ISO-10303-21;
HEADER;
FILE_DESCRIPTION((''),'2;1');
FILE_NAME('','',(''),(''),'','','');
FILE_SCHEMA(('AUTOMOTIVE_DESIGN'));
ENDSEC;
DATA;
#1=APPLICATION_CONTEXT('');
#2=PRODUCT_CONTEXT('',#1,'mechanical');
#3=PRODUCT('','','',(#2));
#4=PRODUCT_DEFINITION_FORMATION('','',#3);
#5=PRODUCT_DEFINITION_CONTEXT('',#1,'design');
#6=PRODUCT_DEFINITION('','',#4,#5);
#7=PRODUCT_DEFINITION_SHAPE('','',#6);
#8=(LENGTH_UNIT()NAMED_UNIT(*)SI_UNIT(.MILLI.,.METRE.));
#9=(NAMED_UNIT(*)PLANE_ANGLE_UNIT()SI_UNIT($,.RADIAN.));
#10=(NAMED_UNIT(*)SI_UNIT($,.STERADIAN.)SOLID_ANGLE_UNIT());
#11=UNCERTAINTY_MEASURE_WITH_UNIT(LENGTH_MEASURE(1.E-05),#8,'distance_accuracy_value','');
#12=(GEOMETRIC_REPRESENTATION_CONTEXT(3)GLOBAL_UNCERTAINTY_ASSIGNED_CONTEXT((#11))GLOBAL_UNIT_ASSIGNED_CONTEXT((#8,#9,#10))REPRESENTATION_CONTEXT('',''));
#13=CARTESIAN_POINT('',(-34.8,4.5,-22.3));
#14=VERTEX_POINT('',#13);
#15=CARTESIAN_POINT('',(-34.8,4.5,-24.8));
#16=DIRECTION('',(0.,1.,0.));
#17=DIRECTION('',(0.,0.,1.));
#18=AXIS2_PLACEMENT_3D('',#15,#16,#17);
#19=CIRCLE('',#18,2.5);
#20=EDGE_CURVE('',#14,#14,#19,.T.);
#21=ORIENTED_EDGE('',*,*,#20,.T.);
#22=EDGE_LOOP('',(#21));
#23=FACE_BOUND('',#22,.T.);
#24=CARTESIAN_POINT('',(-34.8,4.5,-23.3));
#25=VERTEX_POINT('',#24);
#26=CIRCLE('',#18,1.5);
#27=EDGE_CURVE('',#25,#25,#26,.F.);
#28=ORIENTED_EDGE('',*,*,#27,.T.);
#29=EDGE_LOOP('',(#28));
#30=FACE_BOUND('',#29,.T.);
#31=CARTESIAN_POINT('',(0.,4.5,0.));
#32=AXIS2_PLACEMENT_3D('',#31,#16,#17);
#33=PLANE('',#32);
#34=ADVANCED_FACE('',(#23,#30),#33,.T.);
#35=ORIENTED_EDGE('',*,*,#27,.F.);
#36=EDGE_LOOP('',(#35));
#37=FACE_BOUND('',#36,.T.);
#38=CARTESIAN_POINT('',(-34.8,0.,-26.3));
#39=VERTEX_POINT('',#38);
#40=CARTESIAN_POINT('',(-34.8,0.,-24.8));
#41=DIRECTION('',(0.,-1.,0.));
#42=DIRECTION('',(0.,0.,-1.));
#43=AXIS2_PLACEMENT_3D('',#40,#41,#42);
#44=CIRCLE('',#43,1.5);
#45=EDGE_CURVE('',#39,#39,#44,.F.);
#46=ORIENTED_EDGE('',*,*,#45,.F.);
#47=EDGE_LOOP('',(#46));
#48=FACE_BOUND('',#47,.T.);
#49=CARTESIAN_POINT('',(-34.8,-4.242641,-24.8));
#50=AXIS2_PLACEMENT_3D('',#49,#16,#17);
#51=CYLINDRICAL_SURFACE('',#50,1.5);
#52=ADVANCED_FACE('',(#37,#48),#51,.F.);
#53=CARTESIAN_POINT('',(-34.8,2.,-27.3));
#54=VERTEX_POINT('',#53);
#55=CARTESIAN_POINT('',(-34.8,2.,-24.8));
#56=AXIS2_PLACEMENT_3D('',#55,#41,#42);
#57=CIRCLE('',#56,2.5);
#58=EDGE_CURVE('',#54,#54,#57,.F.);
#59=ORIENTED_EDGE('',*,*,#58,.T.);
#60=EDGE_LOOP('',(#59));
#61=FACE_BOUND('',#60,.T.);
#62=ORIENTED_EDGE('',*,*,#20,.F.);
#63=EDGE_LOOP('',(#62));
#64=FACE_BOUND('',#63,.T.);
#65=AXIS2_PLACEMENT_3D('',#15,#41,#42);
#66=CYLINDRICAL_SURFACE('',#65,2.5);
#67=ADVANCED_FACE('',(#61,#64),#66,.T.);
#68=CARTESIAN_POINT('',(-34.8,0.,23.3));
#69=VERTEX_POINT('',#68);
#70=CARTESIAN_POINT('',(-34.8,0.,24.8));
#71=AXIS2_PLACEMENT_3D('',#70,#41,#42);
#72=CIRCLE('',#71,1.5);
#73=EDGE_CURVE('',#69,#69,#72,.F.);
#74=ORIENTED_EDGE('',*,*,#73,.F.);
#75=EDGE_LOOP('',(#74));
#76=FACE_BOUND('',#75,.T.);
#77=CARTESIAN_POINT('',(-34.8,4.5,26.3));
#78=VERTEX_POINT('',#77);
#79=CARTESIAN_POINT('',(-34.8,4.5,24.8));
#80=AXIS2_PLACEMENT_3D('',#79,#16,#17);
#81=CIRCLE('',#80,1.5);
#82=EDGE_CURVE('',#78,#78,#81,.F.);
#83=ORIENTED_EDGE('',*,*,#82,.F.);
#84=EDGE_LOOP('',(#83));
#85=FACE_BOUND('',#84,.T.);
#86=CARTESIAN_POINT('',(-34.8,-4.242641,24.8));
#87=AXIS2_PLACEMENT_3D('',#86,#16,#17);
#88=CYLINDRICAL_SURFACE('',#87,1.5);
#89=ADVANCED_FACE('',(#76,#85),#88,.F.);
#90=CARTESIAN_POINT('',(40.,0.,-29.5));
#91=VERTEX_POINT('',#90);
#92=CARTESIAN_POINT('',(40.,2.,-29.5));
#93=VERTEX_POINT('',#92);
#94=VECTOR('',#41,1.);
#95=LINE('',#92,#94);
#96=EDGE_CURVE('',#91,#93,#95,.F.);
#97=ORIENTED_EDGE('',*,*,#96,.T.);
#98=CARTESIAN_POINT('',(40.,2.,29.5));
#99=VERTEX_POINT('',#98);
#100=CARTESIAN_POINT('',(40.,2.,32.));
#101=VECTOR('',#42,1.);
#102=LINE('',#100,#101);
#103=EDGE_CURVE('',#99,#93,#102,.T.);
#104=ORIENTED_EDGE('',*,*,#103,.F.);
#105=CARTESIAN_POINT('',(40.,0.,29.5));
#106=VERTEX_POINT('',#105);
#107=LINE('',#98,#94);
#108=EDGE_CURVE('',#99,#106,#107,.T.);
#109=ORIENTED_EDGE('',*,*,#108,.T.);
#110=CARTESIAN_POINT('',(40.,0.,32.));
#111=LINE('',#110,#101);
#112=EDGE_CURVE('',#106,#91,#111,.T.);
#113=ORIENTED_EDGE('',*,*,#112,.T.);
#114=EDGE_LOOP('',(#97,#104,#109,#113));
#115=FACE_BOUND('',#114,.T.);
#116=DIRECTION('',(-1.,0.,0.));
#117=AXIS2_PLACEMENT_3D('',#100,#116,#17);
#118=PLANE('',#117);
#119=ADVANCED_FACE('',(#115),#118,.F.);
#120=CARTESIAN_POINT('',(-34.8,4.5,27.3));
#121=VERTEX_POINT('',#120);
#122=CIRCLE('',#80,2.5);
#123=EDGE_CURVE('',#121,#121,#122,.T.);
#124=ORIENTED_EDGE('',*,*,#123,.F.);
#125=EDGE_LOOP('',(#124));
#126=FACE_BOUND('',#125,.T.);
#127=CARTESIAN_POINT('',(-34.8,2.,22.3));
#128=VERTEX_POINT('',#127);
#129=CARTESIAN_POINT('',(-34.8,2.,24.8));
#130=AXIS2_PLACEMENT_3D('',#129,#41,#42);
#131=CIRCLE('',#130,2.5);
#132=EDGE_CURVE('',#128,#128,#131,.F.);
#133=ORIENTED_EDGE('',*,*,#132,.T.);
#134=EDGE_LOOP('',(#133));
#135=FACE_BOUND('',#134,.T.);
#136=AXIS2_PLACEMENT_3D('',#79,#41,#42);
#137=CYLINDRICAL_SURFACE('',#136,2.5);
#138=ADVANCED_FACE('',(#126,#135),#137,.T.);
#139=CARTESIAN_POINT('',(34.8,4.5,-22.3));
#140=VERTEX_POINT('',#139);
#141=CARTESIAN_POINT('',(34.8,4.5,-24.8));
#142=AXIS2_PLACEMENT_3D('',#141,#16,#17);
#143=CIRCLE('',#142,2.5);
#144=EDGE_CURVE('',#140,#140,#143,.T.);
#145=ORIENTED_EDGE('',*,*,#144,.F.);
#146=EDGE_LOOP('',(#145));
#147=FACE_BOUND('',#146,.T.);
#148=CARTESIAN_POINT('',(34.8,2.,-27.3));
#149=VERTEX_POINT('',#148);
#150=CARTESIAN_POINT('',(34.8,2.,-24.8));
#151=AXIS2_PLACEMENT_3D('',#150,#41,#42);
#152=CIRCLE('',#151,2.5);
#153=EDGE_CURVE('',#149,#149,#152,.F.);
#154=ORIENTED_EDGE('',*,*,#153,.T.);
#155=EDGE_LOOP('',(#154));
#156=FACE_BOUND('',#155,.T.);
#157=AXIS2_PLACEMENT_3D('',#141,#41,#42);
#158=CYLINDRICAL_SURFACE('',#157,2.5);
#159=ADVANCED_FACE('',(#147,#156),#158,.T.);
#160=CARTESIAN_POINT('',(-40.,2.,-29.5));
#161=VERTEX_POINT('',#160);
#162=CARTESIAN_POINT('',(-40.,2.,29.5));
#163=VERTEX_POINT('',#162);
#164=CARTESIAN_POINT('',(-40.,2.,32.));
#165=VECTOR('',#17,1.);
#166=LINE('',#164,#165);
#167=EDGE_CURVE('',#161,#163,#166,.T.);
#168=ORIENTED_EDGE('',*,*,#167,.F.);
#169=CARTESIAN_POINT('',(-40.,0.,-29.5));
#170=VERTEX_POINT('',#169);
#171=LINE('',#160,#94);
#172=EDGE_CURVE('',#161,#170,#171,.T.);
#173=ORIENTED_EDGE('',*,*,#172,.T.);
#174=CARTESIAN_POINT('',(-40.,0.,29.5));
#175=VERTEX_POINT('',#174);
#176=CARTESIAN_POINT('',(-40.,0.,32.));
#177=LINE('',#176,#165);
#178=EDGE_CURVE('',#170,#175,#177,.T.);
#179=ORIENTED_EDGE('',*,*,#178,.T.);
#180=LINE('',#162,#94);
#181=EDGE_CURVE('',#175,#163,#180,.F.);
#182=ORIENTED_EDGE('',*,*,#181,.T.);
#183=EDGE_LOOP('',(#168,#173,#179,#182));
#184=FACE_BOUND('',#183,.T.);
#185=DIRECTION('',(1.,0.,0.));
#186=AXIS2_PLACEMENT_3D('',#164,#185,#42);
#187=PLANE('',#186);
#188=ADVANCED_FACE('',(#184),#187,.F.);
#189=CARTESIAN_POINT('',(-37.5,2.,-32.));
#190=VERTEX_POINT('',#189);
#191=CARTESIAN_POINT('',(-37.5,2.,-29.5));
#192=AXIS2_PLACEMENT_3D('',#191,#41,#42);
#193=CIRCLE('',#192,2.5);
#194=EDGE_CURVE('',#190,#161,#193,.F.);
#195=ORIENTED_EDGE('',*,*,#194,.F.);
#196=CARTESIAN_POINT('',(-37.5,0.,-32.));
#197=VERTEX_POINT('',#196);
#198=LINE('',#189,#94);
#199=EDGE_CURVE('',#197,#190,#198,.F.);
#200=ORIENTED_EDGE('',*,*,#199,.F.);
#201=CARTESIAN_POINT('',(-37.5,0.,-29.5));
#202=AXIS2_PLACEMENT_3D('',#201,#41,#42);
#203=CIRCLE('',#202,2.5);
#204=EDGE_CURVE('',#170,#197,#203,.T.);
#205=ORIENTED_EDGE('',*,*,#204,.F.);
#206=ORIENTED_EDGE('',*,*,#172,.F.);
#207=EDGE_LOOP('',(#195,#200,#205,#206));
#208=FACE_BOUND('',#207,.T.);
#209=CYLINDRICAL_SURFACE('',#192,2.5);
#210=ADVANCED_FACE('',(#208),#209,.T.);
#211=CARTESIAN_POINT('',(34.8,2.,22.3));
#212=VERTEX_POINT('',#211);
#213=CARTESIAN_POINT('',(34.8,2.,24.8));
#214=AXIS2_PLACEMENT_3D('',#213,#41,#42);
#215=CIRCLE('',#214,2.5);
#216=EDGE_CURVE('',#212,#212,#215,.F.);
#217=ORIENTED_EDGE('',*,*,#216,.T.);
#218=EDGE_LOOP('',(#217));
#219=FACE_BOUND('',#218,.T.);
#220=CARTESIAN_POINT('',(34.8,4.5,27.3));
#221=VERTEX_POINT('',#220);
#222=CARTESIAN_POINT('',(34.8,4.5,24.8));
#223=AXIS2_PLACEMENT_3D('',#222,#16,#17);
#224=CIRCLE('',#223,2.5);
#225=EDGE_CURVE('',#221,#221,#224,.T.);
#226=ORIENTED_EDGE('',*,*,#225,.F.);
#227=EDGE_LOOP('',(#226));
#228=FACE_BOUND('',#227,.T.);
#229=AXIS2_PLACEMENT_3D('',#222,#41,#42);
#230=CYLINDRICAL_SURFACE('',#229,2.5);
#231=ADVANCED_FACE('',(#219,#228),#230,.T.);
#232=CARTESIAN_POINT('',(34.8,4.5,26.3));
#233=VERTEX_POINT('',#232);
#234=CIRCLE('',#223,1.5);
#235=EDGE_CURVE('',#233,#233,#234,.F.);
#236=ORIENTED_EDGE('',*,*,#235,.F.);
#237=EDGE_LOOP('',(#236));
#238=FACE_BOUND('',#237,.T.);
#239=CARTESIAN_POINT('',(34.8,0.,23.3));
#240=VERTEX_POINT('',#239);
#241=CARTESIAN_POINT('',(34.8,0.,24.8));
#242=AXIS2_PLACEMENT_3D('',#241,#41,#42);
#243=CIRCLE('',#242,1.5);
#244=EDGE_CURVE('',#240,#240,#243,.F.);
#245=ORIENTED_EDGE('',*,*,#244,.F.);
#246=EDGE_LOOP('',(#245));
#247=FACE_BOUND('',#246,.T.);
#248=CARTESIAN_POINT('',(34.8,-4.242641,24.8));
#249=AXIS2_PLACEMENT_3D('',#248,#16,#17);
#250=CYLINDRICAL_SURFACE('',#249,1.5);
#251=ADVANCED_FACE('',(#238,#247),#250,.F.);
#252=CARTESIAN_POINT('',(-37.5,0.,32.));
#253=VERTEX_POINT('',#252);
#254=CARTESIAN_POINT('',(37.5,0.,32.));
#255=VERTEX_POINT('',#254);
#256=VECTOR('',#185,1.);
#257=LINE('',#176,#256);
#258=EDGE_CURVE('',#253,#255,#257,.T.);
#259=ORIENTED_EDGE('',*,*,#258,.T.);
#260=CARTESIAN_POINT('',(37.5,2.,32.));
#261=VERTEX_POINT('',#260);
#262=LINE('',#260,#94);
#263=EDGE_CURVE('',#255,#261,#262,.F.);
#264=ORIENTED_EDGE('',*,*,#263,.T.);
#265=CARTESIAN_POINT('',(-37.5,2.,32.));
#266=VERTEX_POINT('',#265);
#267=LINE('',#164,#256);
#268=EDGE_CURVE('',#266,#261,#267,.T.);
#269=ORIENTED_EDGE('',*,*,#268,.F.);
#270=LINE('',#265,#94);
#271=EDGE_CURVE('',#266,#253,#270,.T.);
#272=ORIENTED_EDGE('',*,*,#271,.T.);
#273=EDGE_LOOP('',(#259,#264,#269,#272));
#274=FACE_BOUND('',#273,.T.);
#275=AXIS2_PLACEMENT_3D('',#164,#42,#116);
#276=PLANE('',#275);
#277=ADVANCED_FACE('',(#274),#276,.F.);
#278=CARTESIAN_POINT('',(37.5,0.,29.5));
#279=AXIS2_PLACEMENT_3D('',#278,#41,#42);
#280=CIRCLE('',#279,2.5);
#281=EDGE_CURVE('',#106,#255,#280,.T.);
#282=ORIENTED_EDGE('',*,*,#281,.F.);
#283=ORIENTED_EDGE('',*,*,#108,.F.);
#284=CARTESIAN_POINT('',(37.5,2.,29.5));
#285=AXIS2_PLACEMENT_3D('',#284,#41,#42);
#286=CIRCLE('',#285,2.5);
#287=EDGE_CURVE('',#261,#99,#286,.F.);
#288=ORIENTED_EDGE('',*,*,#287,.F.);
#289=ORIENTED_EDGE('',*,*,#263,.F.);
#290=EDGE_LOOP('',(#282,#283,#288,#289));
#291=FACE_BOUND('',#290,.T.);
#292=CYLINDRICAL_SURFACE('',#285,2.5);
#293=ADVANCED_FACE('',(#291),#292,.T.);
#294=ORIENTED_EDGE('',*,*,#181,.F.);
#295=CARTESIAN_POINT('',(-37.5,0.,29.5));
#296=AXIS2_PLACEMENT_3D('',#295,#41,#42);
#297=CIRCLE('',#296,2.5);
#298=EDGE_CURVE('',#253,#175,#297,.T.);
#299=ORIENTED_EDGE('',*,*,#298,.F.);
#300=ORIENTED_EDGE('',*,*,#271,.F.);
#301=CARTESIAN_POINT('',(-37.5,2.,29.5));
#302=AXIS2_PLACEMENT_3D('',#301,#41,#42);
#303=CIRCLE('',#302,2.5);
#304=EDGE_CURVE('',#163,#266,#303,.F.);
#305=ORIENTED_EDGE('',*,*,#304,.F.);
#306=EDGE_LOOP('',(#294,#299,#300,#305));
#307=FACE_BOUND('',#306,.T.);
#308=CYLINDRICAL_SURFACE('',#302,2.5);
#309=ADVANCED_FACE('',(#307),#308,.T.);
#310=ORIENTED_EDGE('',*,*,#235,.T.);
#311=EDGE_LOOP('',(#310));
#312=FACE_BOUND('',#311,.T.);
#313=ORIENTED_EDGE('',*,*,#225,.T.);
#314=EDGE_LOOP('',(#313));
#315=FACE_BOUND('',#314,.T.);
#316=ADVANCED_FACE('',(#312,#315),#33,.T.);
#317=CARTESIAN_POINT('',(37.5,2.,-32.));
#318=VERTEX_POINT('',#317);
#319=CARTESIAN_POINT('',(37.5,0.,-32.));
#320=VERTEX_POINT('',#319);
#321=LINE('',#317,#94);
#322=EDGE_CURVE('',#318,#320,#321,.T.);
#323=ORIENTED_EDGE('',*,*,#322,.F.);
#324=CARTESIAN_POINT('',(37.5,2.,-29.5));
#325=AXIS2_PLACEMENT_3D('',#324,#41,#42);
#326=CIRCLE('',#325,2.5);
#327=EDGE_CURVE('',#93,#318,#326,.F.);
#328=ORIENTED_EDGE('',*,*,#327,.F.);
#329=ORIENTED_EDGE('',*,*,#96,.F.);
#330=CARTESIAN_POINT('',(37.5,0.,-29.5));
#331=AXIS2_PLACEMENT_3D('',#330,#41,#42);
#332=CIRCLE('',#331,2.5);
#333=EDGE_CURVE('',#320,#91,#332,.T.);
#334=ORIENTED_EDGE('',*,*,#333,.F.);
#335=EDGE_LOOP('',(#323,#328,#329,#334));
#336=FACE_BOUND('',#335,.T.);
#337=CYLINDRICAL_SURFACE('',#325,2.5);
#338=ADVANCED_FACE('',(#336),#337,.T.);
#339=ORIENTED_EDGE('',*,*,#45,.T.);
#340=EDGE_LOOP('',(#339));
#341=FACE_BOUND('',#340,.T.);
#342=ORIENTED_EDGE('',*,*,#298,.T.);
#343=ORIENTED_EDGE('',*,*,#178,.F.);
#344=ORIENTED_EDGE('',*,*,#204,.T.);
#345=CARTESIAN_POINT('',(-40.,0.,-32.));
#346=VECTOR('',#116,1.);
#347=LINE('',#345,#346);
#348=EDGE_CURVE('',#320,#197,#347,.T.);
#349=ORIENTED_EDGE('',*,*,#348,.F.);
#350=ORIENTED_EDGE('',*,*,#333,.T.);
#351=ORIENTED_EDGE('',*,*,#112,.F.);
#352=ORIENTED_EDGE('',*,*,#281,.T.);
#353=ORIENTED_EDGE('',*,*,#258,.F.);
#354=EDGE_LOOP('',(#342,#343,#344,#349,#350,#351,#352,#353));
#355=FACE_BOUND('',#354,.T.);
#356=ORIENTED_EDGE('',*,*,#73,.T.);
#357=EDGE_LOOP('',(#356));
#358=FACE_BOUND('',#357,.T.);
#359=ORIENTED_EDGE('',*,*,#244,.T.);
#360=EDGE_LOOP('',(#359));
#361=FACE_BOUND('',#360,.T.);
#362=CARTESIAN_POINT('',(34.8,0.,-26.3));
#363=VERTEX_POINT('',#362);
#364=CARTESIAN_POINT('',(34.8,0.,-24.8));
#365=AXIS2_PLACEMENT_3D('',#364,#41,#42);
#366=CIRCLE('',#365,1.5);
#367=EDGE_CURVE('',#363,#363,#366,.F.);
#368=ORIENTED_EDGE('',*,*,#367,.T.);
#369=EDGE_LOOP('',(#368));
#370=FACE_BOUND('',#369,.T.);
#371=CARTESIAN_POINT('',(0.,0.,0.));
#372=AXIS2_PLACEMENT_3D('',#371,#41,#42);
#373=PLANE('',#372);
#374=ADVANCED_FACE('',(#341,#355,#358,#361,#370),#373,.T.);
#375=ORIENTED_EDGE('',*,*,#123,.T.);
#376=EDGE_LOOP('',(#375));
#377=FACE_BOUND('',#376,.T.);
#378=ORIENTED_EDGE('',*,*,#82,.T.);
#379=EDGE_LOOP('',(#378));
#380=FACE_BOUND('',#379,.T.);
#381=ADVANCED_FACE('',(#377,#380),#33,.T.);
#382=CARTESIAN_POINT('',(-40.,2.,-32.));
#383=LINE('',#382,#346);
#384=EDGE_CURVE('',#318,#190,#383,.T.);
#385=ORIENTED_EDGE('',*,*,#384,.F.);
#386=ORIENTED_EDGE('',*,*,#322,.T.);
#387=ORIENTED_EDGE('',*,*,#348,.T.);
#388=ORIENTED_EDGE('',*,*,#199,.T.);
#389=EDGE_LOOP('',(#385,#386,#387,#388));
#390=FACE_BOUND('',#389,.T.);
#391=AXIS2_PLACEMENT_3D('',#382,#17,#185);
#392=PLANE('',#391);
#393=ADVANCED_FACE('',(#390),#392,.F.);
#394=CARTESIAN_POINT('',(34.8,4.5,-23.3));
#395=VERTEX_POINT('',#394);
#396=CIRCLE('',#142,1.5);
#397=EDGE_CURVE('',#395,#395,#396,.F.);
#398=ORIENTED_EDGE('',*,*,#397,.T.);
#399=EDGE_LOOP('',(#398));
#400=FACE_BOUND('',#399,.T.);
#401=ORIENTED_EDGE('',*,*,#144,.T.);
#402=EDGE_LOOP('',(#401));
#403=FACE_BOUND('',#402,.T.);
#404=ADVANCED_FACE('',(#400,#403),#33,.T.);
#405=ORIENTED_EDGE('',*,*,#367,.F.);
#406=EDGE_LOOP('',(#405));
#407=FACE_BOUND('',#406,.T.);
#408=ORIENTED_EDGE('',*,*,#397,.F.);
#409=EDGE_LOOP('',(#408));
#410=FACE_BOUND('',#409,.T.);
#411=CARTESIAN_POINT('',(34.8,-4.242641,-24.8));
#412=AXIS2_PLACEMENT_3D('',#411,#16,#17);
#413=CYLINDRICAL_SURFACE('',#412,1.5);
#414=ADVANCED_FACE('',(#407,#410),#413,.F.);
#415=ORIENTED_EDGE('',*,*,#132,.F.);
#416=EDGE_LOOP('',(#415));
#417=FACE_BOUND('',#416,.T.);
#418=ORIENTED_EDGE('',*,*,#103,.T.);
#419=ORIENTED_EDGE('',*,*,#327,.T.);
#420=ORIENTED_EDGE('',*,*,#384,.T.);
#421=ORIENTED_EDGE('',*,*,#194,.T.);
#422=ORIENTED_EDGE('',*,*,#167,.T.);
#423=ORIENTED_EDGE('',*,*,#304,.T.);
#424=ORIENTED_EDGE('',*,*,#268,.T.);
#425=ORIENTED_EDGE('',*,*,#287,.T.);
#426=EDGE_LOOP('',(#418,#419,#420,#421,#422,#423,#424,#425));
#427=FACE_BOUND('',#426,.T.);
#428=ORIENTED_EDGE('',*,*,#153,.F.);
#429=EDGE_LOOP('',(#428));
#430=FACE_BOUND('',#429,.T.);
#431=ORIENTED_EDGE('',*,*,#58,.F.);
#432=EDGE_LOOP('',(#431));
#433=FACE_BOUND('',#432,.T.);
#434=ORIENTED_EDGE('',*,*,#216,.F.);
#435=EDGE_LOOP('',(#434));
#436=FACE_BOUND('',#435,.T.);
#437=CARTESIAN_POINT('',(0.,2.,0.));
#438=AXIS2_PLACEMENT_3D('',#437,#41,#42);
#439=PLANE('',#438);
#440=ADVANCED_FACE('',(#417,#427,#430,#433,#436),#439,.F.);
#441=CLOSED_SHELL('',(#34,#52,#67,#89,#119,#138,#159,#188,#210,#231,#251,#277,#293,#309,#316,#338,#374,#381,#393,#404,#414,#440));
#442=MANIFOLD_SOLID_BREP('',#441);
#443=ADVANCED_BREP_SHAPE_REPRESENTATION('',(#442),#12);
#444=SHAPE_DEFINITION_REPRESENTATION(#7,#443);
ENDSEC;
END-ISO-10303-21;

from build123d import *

# Parameters (mm, degrees)
SKETCH1_W           = 80
SKETCH1_H           = 64
BOSS_EXTRUDE1_DEPTH = 2
FILLET1_R           = 2.5
SKETCH2_R           = 1.5
CUT_EXTRUDE1_DEPTH  = 2
BOSS_EXTRUDE2_START = 2.5
SKETCH3_R           = 2.5
SKETCH3_R_2         = 1.5
BOSS_EXTRUDE2_DEPTH = 2.5


with BuildPart() as part:
    # Sketch1 → Boss-Extrude1 (new body)
    with BuildSketch(Plane(origin=(0, 0, 0), x_dir=(1, 0, 0), z_dir=(0, 1, 0))):
        Rectangle(SKETCH1_W, SKETCH1_H)
    extrude(amount=BOSS_EXTRUDE1_DEPTH)

    # Fillet1
    fillet1_edges = [part.edges().sort_by_distance(p)[0] for p in [
        (40, 1, 32),
        (-40, 1, 32),
        (-40, 1, -32),
        (40, 1, -32),
    ]]
    fillet(fillet1_edges, radius=FILLET1_R)

    # Sketch2 → Cut-Extrude1 (cut)
    with BuildSketch(Plane(origin=(-9.018883196, 2, 9.463275917), x_dir=(1, 0, 0), z_dir=(0, 1, 0))):
        with Locations(Location((-25.781116804, 34.263275917, 0), (0, 0, 270))):
            Circle(SKETCH2_R)
        with Locations(Location((43.818883196, 34.263275917, 0), (0, 0, 270))):
            Circle(SKETCH2_R)
        with Locations(Location((43.818883196, -15.336724083, 0), (0, 0, 270))):
            Circle(SKETCH2_R)
        with Locations(Location((-25.781116804, -15.336724083, 0), (0, 0, 270))):
            Circle(SKETCH2_R)
    extrude(amount=-CUT_EXTRUDE1_DEPTH, mode=Mode.SUBTRACT)

    # Sketch3 → Boss-Extrude2 (add)
    # profile 1 of 4: a face of its own
    with BuildSketch(Plane(origin=(0, 2, 0), x_dir=(1, 0, 0), z_dir=(0, 1, 0)).offset(BOSS_EXTRUDE2_START)):
        with Locations(Location((-34.8, 24.8, 0), (0, 0, 90))):
            Circle(SKETCH3_R)
        with Locations(Location((-34.8, 24.8, 0), (0, 0, 270))):
            Circle(SKETCH3_R_2, mode=Mode.SUBTRACT)
    # profile 2 of 4: a face of its own
    with BuildSketch(Plane(origin=(0, 2, 0), x_dir=(1, 0, 0), z_dir=(0, 1, 0)).offset(BOSS_EXTRUDE2_START)):
        with Locations(Location((-34.8, -24.8, 0), (0, 0, 90))):
            Circle(SKETCH3_R)
        with Locations(Location((-34.8, -24.8, 0), (0, 0, 270))):
            Circle(SKETCH3_R_2, mode=Mode.SUBTRACT)
    # profile 3 of 4: a face of its own
    with BuildSketch(Plane(origin=(0, 2, 0), x_dir=(1, 0, 0), z_dir=(0, 1, 0)).offset(BOSS_EXTRUDE2_START)):
        with Locations(Location((34.8, 24.8, 0), (0, 0, 90))):
            Circle(SKETCH3_R)
        with Locations(Location((34.8, 24.8, 0), (0, 0, 270))):
            Circle(SKETCH3_R_2, mode=Mode.SUBTRACT)
    # profile 4 of 4: a face of its own
    with BuildSketch(Plane(origin=(0, 2, 0), x_dir=(1, 0, 0), z_dir=(0, 1, 0)).offset(BOSS_EXTRUDE2_START)):
        with Locations(Location((34.8, -24.8, 0), (0, 0, 90))):
            Circle(SKETCH3_R)
        with Locations(Location((34.8, -24.8, 0), (0, 0, 270))):
            Circle(SKETCH3_R_2, mode=Mode.SUBTRACT)
    extrude(amount=-BOSS_EXTRUDE2_DEPTH)


solid = part.part
